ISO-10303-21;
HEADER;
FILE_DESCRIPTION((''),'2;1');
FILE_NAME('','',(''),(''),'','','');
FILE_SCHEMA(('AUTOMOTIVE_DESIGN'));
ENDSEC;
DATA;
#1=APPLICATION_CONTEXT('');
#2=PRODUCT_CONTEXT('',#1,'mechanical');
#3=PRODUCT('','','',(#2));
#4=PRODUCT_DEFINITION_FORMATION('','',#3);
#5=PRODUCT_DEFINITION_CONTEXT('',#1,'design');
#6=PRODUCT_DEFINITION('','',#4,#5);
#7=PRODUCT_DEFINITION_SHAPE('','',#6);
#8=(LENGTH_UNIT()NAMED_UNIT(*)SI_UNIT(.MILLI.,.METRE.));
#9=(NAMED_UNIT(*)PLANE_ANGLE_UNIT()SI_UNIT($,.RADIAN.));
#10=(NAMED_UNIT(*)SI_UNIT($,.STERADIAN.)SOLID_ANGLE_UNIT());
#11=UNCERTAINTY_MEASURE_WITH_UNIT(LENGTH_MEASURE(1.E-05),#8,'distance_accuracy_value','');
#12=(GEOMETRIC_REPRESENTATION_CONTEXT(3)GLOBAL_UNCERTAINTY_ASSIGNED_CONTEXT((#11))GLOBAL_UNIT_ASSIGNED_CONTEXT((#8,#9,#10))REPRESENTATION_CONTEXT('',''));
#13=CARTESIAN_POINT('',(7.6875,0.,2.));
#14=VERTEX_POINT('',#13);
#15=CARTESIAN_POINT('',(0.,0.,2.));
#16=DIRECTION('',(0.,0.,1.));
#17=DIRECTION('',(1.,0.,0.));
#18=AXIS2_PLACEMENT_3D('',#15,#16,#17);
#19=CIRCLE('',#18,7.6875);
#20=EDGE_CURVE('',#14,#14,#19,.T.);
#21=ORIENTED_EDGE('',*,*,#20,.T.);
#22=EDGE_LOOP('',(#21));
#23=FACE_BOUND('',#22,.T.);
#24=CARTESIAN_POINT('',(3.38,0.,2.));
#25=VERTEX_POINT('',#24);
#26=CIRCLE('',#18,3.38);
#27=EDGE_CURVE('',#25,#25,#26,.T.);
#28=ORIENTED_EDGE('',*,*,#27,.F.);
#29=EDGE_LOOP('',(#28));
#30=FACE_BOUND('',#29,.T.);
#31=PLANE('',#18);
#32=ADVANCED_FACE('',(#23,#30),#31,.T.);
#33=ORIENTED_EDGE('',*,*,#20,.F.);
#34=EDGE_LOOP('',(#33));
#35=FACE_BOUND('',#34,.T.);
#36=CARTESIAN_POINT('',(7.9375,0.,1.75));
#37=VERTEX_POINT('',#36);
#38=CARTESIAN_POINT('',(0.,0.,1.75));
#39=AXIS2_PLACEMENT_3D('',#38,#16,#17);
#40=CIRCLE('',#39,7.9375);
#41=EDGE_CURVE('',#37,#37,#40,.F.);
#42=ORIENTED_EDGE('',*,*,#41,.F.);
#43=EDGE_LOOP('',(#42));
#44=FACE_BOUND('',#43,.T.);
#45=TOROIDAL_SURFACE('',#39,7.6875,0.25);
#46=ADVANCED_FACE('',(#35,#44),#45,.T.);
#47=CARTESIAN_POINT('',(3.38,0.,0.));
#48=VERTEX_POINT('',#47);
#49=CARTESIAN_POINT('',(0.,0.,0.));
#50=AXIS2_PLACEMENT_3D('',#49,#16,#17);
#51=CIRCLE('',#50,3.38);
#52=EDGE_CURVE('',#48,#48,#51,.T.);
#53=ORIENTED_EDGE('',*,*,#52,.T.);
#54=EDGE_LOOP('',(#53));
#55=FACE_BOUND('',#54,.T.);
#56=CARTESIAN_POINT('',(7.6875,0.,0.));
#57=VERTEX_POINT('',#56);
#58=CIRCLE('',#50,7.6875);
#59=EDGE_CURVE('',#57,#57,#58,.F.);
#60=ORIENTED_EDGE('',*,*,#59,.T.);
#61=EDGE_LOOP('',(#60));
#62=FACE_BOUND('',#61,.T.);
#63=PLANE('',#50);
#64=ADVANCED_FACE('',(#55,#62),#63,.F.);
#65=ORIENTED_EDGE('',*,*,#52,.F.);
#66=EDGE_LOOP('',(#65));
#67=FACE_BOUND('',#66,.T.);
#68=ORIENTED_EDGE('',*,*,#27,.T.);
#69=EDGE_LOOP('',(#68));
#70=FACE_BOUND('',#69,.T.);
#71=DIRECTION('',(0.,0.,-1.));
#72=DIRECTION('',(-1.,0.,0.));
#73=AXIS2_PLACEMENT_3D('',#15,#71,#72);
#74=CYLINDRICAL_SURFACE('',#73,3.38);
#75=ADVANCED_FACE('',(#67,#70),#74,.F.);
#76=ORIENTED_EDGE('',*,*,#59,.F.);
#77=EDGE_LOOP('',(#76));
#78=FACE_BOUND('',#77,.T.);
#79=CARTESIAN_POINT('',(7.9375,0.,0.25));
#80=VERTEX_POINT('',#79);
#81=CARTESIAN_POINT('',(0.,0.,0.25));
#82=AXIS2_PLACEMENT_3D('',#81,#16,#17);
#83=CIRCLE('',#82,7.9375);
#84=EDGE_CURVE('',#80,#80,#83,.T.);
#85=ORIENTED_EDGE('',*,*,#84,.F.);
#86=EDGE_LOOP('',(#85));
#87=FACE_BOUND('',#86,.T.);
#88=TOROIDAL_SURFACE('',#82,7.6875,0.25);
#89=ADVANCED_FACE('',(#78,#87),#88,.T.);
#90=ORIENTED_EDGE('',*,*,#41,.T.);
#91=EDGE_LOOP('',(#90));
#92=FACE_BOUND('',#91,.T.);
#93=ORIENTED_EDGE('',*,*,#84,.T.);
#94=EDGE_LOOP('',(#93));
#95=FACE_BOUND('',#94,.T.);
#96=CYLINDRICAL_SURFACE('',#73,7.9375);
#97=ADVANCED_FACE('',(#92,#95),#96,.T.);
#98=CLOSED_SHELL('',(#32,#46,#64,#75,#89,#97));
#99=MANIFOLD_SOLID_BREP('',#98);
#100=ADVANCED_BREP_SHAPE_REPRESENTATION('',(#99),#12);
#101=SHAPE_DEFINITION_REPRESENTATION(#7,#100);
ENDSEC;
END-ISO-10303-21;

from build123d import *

# Parameters (mm, degrees)
SKETCH1_R           = 7.9375
SKETCH1_R_2         = 3.38
BOSS_EXTRUDE1_DEPTH = 2
FILLET1_R           = 0.25


with BuildPart() as part:
    # Sketch1 → Boss-Extrude1 (new body)
    with BuildSketch(Plane.XY):
        Circle(SKETCH1_R)
        Circle(SKETCH1_R_2, mode=Mode.SUBTRACT)
    extrude(amount=BOSS_EXTRUDE1_DEPTH)

    # Fillet1
    fillet1_edges = [part.edges().sort_by_distance(p)[0] for p in [
        (-7.9375, 0, 0),
        (-7.9375, 0, 2),
    ]]
    fillet(fillet1_edges, radius=FILLET1_R)


solid = part.part
